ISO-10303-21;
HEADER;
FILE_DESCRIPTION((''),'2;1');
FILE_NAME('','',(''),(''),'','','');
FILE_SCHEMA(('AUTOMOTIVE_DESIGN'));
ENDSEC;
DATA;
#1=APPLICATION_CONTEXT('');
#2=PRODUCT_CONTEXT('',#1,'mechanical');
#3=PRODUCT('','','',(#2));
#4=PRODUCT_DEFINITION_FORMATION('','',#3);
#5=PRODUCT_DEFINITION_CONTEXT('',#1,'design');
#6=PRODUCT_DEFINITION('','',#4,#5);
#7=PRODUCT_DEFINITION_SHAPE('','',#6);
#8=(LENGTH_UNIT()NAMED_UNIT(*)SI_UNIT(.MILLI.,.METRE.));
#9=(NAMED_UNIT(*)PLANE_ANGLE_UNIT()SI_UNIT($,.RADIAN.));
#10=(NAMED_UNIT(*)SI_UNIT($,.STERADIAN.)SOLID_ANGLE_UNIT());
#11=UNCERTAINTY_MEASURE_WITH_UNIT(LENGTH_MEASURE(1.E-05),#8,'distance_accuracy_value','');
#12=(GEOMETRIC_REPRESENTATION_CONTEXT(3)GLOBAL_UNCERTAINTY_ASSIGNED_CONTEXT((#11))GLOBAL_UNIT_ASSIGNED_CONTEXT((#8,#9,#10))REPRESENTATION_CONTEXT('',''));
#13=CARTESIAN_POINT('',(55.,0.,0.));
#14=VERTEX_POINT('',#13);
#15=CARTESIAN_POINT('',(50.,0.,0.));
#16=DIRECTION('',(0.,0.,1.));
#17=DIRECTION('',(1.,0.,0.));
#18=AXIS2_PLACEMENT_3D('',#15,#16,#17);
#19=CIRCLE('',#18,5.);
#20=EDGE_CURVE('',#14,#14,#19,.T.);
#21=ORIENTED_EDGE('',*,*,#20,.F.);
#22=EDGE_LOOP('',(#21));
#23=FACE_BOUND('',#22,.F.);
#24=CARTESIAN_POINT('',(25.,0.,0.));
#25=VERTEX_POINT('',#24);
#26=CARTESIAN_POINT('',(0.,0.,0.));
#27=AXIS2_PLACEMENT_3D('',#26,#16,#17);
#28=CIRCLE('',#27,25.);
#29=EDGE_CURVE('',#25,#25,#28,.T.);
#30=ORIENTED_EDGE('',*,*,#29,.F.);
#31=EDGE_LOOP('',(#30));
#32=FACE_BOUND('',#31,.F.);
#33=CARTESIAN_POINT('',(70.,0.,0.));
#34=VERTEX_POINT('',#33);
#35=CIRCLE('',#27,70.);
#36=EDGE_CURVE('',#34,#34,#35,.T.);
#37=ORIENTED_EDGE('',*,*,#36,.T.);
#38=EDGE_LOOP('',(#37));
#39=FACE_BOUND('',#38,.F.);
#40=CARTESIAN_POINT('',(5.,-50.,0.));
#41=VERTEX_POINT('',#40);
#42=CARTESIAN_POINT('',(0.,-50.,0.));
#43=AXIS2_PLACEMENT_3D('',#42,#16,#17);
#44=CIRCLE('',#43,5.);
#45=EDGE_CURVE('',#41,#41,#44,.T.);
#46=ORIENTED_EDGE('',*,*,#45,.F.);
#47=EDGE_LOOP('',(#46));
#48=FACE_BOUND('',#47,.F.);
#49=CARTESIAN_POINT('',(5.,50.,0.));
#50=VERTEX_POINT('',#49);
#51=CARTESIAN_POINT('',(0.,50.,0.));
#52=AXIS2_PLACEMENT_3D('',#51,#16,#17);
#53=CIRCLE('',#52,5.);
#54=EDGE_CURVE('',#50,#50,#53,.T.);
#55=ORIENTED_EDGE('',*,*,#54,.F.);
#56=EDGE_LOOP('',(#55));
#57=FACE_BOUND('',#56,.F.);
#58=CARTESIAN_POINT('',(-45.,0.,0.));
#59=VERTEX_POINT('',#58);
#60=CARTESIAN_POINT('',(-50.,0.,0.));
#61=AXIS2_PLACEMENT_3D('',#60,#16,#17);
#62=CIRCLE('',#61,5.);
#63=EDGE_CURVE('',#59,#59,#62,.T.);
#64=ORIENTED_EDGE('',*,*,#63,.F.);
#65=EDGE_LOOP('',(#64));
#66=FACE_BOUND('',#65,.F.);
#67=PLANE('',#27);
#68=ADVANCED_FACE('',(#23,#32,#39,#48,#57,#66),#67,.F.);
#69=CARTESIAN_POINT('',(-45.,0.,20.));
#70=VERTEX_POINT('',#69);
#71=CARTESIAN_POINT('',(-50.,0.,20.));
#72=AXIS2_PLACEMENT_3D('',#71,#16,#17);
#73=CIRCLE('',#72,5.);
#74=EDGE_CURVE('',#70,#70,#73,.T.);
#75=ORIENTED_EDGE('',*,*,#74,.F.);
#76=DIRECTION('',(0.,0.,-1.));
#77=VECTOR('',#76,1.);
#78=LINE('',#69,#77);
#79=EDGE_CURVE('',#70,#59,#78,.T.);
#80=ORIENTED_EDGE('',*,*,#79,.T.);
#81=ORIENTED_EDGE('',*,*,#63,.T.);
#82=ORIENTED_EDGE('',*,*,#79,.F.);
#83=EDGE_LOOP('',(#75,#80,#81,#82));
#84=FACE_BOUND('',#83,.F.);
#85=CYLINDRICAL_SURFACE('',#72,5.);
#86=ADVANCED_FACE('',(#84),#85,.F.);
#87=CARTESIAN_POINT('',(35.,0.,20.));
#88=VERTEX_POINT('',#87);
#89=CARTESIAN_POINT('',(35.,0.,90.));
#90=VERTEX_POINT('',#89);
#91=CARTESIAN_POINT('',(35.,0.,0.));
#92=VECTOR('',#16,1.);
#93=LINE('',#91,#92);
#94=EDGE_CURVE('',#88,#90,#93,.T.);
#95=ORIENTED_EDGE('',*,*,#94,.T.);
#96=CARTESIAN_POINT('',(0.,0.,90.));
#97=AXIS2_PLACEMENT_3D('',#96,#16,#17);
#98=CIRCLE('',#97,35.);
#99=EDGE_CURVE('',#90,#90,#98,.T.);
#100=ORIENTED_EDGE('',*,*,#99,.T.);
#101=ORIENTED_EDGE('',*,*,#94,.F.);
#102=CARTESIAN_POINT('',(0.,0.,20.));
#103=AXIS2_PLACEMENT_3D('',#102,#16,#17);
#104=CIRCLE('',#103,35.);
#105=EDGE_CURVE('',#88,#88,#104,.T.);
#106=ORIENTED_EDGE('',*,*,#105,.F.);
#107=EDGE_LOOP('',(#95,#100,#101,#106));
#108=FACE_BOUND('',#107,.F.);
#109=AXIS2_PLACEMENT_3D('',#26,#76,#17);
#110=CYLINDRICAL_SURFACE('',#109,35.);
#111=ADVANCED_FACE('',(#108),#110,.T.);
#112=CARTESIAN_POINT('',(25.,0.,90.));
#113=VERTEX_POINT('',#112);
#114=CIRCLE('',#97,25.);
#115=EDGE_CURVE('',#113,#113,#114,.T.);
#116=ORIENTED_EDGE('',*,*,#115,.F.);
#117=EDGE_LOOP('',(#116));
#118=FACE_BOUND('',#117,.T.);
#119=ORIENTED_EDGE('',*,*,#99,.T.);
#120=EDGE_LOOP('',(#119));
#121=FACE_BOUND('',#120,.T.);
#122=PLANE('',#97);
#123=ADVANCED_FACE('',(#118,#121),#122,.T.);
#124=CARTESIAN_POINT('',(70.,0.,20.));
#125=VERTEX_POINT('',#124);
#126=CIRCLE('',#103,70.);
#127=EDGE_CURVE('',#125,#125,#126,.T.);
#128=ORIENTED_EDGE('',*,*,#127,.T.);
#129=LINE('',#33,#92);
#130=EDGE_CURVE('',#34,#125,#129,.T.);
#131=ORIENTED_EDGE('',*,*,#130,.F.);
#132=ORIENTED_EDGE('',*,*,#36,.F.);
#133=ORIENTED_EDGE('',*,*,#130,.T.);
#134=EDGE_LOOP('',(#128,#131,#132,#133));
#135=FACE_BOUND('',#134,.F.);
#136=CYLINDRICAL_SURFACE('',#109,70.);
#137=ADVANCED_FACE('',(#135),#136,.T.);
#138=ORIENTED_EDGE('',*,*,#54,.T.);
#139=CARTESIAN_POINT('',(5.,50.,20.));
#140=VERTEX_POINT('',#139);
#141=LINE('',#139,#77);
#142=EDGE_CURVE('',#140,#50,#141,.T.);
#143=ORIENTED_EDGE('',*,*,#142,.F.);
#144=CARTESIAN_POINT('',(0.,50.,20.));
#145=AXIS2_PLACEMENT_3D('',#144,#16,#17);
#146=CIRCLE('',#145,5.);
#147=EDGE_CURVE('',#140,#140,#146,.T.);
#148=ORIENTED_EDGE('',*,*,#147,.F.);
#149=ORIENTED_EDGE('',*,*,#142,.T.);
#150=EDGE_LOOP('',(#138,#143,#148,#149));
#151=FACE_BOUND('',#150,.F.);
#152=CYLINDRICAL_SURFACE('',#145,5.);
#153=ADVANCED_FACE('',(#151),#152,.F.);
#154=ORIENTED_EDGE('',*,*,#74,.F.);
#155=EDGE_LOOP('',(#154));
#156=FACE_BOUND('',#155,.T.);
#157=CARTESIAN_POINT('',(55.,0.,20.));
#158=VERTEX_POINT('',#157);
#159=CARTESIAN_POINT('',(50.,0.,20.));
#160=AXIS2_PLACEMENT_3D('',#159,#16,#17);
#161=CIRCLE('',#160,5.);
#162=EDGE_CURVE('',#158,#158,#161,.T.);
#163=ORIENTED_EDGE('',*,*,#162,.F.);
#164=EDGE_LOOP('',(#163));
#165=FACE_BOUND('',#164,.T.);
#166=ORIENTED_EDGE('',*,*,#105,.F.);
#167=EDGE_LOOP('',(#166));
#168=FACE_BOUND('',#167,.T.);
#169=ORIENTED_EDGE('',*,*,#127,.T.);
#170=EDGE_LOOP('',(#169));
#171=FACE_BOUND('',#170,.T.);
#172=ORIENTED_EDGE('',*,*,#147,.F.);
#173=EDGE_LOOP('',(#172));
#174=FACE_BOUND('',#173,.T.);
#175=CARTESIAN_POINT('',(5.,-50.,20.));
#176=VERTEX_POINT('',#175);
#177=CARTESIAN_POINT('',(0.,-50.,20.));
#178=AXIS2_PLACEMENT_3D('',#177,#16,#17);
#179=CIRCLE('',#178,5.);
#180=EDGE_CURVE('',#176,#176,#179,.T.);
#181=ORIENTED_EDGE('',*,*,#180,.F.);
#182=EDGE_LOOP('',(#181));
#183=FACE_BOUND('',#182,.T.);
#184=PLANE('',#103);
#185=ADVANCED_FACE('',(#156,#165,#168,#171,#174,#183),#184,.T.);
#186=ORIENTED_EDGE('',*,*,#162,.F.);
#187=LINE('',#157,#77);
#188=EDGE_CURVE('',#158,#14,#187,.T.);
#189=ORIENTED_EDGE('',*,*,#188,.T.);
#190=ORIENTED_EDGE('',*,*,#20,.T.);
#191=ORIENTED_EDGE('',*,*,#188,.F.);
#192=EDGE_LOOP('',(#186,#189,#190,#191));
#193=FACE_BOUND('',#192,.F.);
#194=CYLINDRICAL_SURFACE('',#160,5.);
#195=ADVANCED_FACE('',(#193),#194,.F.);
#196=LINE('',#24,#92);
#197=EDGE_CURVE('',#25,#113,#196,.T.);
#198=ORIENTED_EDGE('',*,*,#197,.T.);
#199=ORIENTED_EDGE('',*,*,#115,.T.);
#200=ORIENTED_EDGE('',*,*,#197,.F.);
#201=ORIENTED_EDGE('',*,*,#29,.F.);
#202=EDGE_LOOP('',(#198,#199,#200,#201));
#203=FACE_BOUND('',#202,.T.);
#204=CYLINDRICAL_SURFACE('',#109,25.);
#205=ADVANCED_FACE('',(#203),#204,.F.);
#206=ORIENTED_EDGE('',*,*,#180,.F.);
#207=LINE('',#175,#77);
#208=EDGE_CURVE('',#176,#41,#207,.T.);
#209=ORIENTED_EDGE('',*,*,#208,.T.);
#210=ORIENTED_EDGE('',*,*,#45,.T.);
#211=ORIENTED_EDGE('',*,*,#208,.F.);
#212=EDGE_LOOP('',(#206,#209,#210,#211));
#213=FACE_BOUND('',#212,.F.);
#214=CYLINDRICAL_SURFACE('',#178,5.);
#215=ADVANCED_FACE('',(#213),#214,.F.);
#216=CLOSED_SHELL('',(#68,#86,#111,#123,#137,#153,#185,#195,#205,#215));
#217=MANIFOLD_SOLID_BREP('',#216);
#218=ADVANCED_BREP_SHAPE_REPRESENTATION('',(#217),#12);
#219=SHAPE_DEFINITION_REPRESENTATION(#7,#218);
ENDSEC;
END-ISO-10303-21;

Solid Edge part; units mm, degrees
sketch "Sketch1" plane through (0, 0, 0) normal (0, 0, 1) x (1, 0, 0)
  circle A0 centre (0, 0) radius 70
  circle A1 centre (0, 0) radius 35
  dimension "D1" = 140
  dimension "D2" = 100
  dimension "D3" = 70
  dimension "D4" = 50
extrude "Protrusion1" add sketch "Sketch1" along normal blind 20
sketch "Sketch2" plane through (0, 0, 0) normal (0, 0, 1) x (1, 0, 0)
  circle A0 centre (0, 0) radius 35
  circle A1 centre (0, 0) radius 25
  dimension "D1" = 140
  dimension "D2" = 100
  dimension "D3" = 70
  dimension "D4" = 50
extrude "ExtrudedProtrusion_12" add sketch "Sketch2" along normal blind 90
sketch "Sketch3" plane through (0, 0, 20) normal (0, 0, 1) x (1, 0, 0)
  circle A0 centre (-50, 0) radius 5
  circle A1 centre (0, 50) radius 5
  circle A2 centre (50, 0) radius 5
  circle A3 centre (0, -50) radius 5
extrude "Cutout1" cut sketch "Sketch3" against normal up to vertex (20 mm away)
